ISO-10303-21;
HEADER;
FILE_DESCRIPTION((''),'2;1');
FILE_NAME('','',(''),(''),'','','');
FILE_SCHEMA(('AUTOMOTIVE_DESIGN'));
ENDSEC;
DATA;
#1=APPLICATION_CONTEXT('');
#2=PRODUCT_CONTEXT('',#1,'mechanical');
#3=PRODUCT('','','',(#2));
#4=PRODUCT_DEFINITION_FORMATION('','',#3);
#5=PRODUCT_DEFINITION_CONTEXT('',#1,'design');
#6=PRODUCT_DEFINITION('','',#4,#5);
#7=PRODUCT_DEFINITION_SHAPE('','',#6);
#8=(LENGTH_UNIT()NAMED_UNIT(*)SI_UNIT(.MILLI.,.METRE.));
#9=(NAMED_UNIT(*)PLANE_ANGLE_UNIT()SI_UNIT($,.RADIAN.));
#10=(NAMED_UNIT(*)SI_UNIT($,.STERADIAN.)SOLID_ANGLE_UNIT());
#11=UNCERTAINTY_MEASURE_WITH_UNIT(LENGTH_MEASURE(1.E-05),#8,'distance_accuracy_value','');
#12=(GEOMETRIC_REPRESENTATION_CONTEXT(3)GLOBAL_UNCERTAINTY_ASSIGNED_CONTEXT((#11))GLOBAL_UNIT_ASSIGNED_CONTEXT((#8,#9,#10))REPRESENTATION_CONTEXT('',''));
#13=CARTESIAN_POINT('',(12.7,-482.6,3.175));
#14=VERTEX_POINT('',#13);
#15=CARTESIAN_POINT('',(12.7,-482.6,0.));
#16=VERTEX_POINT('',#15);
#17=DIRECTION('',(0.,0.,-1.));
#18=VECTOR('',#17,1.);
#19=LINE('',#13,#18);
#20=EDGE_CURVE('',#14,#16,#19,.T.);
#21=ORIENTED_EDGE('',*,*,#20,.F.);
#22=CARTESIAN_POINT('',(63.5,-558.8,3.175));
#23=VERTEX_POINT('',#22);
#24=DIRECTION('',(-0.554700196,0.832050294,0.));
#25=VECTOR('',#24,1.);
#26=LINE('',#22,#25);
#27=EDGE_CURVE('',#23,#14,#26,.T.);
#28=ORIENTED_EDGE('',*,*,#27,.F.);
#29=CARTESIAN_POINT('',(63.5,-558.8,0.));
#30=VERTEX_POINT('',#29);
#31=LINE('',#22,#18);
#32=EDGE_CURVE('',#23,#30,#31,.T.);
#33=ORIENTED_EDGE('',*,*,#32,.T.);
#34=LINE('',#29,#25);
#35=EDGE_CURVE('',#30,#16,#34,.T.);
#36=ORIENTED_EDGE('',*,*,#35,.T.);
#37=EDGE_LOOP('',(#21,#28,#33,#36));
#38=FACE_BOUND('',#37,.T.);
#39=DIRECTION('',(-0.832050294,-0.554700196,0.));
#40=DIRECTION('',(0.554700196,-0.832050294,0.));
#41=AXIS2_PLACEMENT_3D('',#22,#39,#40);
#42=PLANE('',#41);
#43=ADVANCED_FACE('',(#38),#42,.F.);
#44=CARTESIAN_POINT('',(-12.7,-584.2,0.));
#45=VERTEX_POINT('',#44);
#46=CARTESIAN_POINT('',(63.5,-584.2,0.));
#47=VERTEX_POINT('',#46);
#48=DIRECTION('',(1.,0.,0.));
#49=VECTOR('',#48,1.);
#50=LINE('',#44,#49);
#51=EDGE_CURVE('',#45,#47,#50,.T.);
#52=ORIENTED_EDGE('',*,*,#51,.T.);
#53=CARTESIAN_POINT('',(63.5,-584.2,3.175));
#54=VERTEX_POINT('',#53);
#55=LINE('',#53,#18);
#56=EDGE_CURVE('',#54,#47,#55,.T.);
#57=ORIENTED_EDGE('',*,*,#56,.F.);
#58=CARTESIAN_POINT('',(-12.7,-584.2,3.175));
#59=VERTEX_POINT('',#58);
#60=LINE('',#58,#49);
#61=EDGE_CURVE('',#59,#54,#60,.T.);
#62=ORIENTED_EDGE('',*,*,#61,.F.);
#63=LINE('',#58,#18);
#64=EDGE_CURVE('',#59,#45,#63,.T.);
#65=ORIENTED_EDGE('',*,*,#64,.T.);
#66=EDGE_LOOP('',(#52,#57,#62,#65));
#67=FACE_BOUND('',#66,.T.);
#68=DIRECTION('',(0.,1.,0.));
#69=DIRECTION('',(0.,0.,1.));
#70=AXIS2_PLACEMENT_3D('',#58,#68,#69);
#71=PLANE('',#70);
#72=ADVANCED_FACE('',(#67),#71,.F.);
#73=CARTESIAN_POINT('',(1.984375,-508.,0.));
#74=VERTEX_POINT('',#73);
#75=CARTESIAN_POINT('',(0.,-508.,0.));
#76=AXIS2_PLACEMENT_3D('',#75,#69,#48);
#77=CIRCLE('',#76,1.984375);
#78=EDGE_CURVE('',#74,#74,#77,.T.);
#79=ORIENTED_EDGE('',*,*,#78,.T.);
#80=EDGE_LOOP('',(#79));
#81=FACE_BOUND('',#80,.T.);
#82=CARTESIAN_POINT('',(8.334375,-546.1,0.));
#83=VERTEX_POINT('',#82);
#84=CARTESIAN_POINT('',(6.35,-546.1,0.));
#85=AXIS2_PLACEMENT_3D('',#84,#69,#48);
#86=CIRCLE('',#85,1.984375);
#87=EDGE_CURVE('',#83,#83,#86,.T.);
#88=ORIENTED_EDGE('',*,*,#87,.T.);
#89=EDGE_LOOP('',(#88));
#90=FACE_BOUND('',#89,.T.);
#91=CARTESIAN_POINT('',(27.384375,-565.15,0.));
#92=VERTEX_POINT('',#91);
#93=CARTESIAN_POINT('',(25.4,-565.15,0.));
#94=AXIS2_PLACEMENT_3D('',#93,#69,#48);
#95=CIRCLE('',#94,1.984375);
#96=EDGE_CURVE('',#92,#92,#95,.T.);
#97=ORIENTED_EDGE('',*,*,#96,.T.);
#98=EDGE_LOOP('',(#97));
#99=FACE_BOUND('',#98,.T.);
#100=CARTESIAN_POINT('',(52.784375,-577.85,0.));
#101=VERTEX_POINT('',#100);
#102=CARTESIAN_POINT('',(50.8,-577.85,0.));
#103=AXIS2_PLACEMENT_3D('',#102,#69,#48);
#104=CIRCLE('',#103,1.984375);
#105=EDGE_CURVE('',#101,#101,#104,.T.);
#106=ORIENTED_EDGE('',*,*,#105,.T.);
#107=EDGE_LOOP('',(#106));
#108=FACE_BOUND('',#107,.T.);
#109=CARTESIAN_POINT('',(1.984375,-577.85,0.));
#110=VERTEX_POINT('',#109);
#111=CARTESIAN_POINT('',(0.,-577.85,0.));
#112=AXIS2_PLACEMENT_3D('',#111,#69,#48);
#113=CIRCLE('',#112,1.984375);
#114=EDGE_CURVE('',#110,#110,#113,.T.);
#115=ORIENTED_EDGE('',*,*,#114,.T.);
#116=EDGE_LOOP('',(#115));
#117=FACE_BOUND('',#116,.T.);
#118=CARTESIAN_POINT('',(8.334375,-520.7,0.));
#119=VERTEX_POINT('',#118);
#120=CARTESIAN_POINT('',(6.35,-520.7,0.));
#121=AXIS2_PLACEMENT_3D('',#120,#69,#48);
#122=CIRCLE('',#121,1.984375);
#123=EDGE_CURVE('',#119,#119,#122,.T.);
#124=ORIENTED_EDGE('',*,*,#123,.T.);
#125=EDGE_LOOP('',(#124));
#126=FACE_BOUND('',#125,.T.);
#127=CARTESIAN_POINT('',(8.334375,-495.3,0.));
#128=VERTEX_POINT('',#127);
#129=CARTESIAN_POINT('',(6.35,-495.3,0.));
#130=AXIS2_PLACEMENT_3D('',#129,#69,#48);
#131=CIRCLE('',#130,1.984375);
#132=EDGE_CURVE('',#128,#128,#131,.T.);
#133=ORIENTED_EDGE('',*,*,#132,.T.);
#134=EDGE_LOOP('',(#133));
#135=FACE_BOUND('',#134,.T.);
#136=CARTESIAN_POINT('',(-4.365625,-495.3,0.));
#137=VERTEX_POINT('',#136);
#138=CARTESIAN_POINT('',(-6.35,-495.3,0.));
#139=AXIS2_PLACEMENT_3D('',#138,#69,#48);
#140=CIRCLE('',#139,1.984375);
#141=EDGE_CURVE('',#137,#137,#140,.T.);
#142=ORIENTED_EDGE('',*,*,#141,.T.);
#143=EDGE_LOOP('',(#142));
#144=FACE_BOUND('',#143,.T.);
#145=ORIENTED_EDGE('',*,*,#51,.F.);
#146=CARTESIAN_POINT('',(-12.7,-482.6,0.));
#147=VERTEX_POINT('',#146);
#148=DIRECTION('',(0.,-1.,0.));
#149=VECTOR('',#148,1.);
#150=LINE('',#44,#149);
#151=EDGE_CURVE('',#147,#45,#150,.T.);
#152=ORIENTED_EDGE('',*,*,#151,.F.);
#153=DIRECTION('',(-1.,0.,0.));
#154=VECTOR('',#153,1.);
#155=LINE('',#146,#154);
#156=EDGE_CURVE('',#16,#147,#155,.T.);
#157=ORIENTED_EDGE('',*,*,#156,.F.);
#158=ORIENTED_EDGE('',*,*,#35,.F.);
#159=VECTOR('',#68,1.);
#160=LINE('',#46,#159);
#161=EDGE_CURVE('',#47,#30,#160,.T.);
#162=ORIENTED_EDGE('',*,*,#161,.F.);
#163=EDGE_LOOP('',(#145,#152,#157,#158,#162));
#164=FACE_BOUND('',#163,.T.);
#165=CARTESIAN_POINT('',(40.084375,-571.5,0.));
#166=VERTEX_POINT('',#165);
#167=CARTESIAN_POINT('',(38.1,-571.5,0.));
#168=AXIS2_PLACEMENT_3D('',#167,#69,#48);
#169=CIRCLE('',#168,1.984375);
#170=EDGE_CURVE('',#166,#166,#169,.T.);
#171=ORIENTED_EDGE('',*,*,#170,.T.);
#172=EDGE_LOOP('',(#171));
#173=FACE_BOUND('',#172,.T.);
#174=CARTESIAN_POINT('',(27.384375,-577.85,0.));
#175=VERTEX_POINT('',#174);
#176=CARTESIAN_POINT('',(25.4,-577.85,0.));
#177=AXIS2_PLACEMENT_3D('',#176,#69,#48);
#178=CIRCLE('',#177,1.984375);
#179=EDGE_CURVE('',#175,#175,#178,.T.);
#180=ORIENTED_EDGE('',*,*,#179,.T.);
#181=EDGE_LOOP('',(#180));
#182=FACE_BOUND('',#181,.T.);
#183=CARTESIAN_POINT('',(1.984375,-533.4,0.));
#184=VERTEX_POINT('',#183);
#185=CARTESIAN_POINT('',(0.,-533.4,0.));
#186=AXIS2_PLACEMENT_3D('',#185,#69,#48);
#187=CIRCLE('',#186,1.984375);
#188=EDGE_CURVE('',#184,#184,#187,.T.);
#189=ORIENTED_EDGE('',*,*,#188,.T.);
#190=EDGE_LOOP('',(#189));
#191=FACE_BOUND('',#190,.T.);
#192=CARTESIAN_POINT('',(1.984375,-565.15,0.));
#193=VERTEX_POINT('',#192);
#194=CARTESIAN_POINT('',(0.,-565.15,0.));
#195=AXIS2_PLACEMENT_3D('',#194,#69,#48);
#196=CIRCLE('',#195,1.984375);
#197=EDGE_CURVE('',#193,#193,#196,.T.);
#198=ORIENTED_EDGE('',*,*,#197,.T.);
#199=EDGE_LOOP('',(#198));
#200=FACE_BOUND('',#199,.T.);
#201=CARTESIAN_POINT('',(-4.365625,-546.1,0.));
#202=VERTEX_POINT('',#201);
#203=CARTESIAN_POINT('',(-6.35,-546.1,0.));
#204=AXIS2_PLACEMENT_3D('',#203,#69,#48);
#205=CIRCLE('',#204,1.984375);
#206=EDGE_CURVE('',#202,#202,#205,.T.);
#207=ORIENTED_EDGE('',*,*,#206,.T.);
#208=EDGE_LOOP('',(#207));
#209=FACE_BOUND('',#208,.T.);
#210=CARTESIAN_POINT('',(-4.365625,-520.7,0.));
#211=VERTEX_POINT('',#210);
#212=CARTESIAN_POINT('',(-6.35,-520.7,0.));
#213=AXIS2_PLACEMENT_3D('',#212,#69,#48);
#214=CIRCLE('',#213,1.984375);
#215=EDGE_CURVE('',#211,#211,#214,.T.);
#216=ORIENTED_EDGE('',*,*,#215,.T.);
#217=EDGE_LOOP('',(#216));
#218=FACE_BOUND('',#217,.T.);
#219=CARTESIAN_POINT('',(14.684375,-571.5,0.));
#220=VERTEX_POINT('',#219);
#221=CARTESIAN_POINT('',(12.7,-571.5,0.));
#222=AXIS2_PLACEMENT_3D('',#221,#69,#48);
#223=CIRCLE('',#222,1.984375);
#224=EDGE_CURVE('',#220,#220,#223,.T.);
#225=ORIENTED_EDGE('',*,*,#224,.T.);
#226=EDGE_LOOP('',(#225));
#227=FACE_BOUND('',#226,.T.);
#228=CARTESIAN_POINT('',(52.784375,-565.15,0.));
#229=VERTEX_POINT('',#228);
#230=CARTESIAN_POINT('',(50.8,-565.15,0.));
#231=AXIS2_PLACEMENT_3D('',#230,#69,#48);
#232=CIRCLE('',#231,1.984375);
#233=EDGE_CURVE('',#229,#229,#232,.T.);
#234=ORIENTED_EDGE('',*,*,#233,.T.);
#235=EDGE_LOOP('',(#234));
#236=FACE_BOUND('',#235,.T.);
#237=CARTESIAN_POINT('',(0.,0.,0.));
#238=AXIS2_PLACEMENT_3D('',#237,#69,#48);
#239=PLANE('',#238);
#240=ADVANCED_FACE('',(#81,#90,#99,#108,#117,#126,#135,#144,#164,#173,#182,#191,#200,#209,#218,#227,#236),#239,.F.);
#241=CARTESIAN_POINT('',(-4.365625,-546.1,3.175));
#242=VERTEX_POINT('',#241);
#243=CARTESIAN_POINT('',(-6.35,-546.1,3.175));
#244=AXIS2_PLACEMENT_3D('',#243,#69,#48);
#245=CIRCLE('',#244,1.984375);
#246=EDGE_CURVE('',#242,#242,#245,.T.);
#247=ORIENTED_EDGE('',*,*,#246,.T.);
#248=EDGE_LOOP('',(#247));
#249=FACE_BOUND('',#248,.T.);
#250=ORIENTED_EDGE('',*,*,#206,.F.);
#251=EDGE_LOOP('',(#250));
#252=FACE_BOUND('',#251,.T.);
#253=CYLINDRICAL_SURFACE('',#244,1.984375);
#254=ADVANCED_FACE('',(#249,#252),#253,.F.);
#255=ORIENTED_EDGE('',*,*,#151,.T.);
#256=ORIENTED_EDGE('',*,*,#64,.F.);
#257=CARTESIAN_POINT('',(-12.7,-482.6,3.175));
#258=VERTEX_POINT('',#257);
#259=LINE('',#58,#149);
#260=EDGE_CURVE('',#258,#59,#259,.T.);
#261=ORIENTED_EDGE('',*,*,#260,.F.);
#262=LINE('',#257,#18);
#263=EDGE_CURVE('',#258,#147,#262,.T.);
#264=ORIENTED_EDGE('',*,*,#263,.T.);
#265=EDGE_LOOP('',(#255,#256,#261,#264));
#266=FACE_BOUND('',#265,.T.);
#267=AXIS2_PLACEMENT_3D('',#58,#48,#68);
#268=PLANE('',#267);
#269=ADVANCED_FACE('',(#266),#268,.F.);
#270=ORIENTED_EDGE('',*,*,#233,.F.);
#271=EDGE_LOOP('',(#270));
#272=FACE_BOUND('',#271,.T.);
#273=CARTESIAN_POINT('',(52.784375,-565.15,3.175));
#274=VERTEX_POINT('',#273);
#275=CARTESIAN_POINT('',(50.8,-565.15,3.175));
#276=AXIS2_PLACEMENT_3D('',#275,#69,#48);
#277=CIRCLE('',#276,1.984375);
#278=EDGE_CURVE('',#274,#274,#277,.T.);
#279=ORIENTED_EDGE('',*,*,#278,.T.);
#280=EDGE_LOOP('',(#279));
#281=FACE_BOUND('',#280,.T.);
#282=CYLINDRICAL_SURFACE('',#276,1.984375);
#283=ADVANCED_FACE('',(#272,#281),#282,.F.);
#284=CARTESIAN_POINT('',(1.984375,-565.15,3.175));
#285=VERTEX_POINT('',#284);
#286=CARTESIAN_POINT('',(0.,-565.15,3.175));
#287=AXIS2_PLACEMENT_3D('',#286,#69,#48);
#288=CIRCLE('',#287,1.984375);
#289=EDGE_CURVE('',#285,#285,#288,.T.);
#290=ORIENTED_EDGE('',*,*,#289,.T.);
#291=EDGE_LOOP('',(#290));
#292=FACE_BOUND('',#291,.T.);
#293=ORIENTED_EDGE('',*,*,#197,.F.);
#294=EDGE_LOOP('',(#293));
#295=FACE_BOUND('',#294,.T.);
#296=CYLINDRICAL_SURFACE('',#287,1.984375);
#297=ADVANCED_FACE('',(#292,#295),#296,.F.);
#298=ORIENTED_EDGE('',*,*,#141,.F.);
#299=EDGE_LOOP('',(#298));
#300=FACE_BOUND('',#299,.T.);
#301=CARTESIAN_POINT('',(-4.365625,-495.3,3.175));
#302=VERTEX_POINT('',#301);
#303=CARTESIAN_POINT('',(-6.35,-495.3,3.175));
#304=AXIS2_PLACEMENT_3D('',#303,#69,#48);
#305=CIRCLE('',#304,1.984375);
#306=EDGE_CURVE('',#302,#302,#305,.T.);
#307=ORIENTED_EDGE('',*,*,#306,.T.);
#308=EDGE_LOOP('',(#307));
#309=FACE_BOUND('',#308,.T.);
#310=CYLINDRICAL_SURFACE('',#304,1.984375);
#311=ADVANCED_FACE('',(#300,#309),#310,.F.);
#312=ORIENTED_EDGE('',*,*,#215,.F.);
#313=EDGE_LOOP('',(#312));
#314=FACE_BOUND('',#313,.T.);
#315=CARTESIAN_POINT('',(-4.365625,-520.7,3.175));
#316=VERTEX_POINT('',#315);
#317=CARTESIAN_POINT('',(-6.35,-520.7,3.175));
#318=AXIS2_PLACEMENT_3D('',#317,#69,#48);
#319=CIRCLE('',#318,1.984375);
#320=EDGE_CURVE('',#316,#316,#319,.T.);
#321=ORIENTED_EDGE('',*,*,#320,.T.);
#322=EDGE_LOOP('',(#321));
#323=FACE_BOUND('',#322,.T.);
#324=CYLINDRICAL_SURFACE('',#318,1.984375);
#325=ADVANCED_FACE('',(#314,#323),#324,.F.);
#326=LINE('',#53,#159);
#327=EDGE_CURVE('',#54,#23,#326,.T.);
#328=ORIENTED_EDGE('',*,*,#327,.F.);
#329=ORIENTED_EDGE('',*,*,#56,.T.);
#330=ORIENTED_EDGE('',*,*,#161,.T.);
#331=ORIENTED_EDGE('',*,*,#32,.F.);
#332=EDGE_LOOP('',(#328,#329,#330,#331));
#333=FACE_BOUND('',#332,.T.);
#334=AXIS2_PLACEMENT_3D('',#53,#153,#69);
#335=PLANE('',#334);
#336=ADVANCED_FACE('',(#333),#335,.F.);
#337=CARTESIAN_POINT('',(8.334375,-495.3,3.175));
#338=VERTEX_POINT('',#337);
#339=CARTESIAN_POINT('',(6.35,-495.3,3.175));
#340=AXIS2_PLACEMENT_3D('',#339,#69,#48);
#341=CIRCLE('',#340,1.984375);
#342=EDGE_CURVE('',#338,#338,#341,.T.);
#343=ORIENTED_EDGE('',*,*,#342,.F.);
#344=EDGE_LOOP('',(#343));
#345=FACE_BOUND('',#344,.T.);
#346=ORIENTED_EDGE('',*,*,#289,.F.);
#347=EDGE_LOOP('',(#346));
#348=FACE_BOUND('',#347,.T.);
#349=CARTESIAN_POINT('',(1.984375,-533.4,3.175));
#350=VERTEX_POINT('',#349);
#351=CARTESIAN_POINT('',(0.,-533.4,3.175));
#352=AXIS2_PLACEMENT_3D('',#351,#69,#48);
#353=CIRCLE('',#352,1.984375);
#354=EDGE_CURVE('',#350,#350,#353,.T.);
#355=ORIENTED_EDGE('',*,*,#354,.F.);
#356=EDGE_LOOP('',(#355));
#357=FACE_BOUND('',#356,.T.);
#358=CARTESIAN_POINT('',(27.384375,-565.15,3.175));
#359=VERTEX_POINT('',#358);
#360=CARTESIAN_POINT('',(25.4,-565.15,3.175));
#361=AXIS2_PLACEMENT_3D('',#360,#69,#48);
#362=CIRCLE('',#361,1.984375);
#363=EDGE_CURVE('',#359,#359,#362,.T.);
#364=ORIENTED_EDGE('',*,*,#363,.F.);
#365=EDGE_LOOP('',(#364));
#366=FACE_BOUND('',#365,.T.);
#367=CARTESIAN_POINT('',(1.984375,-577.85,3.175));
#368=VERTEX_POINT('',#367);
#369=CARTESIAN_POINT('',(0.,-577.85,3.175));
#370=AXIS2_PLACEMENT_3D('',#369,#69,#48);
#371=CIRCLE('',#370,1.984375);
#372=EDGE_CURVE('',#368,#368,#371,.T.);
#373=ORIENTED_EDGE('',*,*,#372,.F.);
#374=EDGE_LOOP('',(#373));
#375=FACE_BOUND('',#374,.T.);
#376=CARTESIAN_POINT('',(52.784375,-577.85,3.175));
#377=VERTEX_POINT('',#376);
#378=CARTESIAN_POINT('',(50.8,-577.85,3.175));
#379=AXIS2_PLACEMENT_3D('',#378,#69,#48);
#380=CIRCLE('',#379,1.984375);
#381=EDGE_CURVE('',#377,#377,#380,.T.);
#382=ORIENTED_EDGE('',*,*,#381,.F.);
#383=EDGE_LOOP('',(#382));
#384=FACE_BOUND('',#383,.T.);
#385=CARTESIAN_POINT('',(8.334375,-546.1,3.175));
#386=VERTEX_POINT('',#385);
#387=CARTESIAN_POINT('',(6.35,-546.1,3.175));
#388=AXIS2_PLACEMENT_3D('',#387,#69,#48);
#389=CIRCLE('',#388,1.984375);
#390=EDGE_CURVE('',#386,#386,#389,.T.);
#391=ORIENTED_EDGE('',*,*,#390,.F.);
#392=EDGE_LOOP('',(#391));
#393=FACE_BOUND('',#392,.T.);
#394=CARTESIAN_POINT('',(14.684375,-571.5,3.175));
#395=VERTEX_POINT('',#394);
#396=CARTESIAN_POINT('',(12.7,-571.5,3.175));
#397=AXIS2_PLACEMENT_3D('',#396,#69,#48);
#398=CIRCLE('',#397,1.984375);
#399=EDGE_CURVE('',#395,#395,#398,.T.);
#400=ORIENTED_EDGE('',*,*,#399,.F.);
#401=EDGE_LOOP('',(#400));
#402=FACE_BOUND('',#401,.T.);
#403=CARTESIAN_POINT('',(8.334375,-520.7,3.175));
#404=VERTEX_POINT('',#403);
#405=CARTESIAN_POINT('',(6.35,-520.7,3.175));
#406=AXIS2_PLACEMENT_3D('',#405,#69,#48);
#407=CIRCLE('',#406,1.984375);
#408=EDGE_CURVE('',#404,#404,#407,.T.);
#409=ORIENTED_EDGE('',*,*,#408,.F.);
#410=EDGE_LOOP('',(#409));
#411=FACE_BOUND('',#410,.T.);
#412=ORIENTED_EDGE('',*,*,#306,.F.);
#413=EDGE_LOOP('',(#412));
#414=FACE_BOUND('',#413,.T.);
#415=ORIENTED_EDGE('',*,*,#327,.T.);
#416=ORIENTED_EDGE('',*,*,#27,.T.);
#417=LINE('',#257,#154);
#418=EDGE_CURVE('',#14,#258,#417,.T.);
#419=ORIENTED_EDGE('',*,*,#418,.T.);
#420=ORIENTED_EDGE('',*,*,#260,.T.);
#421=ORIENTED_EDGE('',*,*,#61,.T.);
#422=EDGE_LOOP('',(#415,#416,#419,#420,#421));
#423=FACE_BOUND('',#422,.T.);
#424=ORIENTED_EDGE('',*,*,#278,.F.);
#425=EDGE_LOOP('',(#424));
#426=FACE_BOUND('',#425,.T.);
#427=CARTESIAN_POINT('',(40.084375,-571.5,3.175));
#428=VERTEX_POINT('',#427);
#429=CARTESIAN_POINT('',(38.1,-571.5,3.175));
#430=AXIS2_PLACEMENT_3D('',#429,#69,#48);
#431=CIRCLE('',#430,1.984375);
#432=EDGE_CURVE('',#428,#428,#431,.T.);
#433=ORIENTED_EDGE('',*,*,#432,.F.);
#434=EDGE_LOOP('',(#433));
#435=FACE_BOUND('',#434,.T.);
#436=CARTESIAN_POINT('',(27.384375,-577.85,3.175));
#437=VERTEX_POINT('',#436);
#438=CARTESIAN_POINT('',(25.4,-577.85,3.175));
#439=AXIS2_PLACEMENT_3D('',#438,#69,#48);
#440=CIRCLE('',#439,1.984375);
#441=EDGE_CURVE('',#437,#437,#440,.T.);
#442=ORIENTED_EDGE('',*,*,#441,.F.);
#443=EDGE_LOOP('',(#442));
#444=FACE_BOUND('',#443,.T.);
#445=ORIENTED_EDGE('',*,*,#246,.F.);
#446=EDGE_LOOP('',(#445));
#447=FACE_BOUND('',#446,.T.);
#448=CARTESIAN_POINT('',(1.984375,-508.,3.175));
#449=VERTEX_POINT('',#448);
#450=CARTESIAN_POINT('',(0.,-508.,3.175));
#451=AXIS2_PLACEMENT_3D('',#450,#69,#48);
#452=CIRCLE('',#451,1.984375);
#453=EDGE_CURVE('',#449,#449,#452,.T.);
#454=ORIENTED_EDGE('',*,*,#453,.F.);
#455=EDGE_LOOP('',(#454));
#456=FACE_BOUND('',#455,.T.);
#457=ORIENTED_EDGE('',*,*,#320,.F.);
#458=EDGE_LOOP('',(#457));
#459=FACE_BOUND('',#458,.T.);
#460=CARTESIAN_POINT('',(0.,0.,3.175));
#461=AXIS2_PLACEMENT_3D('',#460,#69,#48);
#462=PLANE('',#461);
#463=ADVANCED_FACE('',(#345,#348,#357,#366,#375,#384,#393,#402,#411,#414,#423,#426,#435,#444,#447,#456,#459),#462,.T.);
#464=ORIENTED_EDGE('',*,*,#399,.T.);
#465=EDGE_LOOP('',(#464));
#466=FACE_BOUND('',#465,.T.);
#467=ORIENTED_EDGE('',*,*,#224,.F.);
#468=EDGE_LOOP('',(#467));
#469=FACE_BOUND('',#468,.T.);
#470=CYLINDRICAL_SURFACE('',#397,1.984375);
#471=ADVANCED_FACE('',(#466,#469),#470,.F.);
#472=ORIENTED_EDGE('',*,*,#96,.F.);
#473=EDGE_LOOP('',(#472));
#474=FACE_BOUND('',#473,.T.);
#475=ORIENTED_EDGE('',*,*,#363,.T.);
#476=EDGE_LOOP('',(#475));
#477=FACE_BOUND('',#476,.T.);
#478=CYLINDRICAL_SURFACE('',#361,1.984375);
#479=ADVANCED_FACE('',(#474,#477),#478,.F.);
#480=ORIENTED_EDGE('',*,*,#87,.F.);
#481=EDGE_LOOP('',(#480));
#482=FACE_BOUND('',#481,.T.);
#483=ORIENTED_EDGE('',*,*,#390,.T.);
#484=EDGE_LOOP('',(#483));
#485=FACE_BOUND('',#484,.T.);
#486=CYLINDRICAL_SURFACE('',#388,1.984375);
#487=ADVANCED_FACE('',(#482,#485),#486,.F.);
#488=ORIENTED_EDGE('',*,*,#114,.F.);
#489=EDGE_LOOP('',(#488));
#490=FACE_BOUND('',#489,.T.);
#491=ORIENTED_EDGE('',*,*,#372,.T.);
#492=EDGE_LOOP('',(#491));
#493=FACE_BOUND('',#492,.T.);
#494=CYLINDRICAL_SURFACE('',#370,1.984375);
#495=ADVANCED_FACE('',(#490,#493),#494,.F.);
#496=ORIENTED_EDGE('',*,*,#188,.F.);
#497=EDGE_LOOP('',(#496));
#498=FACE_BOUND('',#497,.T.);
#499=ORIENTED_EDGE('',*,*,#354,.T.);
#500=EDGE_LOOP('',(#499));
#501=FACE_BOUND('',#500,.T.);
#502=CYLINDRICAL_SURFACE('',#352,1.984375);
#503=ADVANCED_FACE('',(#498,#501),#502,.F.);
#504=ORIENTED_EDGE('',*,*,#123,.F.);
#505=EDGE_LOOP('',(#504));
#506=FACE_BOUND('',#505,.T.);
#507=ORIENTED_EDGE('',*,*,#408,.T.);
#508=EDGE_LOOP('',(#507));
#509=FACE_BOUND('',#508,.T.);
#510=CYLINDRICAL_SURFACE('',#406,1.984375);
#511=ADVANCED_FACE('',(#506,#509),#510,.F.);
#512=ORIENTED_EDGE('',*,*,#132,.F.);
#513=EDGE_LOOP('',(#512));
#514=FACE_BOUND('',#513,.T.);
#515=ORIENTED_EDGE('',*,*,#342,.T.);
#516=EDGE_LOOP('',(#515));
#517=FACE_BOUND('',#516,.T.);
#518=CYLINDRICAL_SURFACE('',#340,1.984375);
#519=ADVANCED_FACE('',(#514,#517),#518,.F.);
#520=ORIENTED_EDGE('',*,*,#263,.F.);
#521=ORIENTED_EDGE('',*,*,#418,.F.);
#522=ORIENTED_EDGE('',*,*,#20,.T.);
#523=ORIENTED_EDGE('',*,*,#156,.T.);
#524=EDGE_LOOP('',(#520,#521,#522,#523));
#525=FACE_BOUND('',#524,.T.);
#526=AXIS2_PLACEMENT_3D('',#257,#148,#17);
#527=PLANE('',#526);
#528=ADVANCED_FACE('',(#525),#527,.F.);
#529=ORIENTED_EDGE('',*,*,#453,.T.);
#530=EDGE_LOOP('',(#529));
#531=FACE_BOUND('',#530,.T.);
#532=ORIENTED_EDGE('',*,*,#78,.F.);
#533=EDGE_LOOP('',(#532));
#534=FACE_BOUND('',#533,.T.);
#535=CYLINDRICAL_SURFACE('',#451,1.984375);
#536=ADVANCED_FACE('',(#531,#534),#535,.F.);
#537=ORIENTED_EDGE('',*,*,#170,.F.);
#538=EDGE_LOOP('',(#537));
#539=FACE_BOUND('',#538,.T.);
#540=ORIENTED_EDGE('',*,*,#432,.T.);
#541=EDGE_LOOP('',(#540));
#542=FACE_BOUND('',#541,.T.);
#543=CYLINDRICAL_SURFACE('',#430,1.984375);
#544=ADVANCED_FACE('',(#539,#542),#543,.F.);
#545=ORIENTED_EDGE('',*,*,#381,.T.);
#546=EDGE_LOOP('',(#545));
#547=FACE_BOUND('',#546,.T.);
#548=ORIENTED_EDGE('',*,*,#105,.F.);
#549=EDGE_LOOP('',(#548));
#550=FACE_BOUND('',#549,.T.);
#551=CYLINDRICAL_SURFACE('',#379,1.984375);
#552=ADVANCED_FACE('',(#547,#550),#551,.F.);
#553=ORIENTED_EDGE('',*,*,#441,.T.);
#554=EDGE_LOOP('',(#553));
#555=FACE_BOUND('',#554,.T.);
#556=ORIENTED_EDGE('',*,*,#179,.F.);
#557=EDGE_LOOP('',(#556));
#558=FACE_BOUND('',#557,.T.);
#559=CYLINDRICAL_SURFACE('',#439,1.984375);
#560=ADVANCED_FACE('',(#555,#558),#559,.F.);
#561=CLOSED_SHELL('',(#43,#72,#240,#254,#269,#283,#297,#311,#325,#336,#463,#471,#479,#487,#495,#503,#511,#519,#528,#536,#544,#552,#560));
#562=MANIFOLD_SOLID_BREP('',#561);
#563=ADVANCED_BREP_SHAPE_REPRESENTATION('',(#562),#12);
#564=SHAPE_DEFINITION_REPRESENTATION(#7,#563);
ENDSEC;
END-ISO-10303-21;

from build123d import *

# Parameters (mm, degrees)
BOSS_EXTRUDE1_DEPTH              = 3.175
F_97_0_0059_DIAMETER_HOLE1_D     = 3.96875
F_97_0_0059_DIAMETER_HOLE1_DEPTH = 6.349
F_97_0_0059_DIAMETER_HOLE1_TIP   = 1.192332791


with BuildPart() as part:
    # Sketch1 (on Front Plane) → Boss-Extrude1 (new body)
    with BuildSketch(Plane.XY):
        Polygon((-12.7, -584.2), (-12.7, -482.6), (12.7, -482.6), (63.5, -558.8), (63.5, -584.2), align=None)
    extrude(amount=BOSS_EXTRUDE1_DEPTH)

    # #97 (0.0059) Diameter Hole1
    with Locations(Plane(origin=(-12.7, -584.2, 3.175), x_dir=(0, -1, 0), z_dir=(0, 0, 1))):
        with Locations((-88.9, 6.35), (-88.9, 19.05), (-76.2, 12.7), (-63.5, 6.35), (-63.5, 19.05), (-50.8, 12.7), (-38.1, 6.35), (-38.1, 19.05), (-6.35, 12.7), (-19.05, 12.7), (-12.7, 25.4), (-19.05, 38.1), (-6.35, 38.1), (-12.7, 50.8), (-19.05, 63.5), (-6.35, 63.5)):
            Hole(F_97_0_0059_DIAMETER_HOLE1_D / 2, depth=F_97_0_0059_DIAMETER_HOLE1_DEPTH)
            with Locations((0, 0, -(F_97_0_0059_DIAMETER_HOLE1_DEPTH + F_97_0_0059_DIAMETER_HOLE1_TIP / 2))):  # 118° drill point
                Cone(0, F_97_0_0059_DIAMETER_HOLE1_D / 2, F_97_0_0059_DIAMETER_HOLE1_TIP, mode=Mode.SUBTRACT)


solid = part.part
